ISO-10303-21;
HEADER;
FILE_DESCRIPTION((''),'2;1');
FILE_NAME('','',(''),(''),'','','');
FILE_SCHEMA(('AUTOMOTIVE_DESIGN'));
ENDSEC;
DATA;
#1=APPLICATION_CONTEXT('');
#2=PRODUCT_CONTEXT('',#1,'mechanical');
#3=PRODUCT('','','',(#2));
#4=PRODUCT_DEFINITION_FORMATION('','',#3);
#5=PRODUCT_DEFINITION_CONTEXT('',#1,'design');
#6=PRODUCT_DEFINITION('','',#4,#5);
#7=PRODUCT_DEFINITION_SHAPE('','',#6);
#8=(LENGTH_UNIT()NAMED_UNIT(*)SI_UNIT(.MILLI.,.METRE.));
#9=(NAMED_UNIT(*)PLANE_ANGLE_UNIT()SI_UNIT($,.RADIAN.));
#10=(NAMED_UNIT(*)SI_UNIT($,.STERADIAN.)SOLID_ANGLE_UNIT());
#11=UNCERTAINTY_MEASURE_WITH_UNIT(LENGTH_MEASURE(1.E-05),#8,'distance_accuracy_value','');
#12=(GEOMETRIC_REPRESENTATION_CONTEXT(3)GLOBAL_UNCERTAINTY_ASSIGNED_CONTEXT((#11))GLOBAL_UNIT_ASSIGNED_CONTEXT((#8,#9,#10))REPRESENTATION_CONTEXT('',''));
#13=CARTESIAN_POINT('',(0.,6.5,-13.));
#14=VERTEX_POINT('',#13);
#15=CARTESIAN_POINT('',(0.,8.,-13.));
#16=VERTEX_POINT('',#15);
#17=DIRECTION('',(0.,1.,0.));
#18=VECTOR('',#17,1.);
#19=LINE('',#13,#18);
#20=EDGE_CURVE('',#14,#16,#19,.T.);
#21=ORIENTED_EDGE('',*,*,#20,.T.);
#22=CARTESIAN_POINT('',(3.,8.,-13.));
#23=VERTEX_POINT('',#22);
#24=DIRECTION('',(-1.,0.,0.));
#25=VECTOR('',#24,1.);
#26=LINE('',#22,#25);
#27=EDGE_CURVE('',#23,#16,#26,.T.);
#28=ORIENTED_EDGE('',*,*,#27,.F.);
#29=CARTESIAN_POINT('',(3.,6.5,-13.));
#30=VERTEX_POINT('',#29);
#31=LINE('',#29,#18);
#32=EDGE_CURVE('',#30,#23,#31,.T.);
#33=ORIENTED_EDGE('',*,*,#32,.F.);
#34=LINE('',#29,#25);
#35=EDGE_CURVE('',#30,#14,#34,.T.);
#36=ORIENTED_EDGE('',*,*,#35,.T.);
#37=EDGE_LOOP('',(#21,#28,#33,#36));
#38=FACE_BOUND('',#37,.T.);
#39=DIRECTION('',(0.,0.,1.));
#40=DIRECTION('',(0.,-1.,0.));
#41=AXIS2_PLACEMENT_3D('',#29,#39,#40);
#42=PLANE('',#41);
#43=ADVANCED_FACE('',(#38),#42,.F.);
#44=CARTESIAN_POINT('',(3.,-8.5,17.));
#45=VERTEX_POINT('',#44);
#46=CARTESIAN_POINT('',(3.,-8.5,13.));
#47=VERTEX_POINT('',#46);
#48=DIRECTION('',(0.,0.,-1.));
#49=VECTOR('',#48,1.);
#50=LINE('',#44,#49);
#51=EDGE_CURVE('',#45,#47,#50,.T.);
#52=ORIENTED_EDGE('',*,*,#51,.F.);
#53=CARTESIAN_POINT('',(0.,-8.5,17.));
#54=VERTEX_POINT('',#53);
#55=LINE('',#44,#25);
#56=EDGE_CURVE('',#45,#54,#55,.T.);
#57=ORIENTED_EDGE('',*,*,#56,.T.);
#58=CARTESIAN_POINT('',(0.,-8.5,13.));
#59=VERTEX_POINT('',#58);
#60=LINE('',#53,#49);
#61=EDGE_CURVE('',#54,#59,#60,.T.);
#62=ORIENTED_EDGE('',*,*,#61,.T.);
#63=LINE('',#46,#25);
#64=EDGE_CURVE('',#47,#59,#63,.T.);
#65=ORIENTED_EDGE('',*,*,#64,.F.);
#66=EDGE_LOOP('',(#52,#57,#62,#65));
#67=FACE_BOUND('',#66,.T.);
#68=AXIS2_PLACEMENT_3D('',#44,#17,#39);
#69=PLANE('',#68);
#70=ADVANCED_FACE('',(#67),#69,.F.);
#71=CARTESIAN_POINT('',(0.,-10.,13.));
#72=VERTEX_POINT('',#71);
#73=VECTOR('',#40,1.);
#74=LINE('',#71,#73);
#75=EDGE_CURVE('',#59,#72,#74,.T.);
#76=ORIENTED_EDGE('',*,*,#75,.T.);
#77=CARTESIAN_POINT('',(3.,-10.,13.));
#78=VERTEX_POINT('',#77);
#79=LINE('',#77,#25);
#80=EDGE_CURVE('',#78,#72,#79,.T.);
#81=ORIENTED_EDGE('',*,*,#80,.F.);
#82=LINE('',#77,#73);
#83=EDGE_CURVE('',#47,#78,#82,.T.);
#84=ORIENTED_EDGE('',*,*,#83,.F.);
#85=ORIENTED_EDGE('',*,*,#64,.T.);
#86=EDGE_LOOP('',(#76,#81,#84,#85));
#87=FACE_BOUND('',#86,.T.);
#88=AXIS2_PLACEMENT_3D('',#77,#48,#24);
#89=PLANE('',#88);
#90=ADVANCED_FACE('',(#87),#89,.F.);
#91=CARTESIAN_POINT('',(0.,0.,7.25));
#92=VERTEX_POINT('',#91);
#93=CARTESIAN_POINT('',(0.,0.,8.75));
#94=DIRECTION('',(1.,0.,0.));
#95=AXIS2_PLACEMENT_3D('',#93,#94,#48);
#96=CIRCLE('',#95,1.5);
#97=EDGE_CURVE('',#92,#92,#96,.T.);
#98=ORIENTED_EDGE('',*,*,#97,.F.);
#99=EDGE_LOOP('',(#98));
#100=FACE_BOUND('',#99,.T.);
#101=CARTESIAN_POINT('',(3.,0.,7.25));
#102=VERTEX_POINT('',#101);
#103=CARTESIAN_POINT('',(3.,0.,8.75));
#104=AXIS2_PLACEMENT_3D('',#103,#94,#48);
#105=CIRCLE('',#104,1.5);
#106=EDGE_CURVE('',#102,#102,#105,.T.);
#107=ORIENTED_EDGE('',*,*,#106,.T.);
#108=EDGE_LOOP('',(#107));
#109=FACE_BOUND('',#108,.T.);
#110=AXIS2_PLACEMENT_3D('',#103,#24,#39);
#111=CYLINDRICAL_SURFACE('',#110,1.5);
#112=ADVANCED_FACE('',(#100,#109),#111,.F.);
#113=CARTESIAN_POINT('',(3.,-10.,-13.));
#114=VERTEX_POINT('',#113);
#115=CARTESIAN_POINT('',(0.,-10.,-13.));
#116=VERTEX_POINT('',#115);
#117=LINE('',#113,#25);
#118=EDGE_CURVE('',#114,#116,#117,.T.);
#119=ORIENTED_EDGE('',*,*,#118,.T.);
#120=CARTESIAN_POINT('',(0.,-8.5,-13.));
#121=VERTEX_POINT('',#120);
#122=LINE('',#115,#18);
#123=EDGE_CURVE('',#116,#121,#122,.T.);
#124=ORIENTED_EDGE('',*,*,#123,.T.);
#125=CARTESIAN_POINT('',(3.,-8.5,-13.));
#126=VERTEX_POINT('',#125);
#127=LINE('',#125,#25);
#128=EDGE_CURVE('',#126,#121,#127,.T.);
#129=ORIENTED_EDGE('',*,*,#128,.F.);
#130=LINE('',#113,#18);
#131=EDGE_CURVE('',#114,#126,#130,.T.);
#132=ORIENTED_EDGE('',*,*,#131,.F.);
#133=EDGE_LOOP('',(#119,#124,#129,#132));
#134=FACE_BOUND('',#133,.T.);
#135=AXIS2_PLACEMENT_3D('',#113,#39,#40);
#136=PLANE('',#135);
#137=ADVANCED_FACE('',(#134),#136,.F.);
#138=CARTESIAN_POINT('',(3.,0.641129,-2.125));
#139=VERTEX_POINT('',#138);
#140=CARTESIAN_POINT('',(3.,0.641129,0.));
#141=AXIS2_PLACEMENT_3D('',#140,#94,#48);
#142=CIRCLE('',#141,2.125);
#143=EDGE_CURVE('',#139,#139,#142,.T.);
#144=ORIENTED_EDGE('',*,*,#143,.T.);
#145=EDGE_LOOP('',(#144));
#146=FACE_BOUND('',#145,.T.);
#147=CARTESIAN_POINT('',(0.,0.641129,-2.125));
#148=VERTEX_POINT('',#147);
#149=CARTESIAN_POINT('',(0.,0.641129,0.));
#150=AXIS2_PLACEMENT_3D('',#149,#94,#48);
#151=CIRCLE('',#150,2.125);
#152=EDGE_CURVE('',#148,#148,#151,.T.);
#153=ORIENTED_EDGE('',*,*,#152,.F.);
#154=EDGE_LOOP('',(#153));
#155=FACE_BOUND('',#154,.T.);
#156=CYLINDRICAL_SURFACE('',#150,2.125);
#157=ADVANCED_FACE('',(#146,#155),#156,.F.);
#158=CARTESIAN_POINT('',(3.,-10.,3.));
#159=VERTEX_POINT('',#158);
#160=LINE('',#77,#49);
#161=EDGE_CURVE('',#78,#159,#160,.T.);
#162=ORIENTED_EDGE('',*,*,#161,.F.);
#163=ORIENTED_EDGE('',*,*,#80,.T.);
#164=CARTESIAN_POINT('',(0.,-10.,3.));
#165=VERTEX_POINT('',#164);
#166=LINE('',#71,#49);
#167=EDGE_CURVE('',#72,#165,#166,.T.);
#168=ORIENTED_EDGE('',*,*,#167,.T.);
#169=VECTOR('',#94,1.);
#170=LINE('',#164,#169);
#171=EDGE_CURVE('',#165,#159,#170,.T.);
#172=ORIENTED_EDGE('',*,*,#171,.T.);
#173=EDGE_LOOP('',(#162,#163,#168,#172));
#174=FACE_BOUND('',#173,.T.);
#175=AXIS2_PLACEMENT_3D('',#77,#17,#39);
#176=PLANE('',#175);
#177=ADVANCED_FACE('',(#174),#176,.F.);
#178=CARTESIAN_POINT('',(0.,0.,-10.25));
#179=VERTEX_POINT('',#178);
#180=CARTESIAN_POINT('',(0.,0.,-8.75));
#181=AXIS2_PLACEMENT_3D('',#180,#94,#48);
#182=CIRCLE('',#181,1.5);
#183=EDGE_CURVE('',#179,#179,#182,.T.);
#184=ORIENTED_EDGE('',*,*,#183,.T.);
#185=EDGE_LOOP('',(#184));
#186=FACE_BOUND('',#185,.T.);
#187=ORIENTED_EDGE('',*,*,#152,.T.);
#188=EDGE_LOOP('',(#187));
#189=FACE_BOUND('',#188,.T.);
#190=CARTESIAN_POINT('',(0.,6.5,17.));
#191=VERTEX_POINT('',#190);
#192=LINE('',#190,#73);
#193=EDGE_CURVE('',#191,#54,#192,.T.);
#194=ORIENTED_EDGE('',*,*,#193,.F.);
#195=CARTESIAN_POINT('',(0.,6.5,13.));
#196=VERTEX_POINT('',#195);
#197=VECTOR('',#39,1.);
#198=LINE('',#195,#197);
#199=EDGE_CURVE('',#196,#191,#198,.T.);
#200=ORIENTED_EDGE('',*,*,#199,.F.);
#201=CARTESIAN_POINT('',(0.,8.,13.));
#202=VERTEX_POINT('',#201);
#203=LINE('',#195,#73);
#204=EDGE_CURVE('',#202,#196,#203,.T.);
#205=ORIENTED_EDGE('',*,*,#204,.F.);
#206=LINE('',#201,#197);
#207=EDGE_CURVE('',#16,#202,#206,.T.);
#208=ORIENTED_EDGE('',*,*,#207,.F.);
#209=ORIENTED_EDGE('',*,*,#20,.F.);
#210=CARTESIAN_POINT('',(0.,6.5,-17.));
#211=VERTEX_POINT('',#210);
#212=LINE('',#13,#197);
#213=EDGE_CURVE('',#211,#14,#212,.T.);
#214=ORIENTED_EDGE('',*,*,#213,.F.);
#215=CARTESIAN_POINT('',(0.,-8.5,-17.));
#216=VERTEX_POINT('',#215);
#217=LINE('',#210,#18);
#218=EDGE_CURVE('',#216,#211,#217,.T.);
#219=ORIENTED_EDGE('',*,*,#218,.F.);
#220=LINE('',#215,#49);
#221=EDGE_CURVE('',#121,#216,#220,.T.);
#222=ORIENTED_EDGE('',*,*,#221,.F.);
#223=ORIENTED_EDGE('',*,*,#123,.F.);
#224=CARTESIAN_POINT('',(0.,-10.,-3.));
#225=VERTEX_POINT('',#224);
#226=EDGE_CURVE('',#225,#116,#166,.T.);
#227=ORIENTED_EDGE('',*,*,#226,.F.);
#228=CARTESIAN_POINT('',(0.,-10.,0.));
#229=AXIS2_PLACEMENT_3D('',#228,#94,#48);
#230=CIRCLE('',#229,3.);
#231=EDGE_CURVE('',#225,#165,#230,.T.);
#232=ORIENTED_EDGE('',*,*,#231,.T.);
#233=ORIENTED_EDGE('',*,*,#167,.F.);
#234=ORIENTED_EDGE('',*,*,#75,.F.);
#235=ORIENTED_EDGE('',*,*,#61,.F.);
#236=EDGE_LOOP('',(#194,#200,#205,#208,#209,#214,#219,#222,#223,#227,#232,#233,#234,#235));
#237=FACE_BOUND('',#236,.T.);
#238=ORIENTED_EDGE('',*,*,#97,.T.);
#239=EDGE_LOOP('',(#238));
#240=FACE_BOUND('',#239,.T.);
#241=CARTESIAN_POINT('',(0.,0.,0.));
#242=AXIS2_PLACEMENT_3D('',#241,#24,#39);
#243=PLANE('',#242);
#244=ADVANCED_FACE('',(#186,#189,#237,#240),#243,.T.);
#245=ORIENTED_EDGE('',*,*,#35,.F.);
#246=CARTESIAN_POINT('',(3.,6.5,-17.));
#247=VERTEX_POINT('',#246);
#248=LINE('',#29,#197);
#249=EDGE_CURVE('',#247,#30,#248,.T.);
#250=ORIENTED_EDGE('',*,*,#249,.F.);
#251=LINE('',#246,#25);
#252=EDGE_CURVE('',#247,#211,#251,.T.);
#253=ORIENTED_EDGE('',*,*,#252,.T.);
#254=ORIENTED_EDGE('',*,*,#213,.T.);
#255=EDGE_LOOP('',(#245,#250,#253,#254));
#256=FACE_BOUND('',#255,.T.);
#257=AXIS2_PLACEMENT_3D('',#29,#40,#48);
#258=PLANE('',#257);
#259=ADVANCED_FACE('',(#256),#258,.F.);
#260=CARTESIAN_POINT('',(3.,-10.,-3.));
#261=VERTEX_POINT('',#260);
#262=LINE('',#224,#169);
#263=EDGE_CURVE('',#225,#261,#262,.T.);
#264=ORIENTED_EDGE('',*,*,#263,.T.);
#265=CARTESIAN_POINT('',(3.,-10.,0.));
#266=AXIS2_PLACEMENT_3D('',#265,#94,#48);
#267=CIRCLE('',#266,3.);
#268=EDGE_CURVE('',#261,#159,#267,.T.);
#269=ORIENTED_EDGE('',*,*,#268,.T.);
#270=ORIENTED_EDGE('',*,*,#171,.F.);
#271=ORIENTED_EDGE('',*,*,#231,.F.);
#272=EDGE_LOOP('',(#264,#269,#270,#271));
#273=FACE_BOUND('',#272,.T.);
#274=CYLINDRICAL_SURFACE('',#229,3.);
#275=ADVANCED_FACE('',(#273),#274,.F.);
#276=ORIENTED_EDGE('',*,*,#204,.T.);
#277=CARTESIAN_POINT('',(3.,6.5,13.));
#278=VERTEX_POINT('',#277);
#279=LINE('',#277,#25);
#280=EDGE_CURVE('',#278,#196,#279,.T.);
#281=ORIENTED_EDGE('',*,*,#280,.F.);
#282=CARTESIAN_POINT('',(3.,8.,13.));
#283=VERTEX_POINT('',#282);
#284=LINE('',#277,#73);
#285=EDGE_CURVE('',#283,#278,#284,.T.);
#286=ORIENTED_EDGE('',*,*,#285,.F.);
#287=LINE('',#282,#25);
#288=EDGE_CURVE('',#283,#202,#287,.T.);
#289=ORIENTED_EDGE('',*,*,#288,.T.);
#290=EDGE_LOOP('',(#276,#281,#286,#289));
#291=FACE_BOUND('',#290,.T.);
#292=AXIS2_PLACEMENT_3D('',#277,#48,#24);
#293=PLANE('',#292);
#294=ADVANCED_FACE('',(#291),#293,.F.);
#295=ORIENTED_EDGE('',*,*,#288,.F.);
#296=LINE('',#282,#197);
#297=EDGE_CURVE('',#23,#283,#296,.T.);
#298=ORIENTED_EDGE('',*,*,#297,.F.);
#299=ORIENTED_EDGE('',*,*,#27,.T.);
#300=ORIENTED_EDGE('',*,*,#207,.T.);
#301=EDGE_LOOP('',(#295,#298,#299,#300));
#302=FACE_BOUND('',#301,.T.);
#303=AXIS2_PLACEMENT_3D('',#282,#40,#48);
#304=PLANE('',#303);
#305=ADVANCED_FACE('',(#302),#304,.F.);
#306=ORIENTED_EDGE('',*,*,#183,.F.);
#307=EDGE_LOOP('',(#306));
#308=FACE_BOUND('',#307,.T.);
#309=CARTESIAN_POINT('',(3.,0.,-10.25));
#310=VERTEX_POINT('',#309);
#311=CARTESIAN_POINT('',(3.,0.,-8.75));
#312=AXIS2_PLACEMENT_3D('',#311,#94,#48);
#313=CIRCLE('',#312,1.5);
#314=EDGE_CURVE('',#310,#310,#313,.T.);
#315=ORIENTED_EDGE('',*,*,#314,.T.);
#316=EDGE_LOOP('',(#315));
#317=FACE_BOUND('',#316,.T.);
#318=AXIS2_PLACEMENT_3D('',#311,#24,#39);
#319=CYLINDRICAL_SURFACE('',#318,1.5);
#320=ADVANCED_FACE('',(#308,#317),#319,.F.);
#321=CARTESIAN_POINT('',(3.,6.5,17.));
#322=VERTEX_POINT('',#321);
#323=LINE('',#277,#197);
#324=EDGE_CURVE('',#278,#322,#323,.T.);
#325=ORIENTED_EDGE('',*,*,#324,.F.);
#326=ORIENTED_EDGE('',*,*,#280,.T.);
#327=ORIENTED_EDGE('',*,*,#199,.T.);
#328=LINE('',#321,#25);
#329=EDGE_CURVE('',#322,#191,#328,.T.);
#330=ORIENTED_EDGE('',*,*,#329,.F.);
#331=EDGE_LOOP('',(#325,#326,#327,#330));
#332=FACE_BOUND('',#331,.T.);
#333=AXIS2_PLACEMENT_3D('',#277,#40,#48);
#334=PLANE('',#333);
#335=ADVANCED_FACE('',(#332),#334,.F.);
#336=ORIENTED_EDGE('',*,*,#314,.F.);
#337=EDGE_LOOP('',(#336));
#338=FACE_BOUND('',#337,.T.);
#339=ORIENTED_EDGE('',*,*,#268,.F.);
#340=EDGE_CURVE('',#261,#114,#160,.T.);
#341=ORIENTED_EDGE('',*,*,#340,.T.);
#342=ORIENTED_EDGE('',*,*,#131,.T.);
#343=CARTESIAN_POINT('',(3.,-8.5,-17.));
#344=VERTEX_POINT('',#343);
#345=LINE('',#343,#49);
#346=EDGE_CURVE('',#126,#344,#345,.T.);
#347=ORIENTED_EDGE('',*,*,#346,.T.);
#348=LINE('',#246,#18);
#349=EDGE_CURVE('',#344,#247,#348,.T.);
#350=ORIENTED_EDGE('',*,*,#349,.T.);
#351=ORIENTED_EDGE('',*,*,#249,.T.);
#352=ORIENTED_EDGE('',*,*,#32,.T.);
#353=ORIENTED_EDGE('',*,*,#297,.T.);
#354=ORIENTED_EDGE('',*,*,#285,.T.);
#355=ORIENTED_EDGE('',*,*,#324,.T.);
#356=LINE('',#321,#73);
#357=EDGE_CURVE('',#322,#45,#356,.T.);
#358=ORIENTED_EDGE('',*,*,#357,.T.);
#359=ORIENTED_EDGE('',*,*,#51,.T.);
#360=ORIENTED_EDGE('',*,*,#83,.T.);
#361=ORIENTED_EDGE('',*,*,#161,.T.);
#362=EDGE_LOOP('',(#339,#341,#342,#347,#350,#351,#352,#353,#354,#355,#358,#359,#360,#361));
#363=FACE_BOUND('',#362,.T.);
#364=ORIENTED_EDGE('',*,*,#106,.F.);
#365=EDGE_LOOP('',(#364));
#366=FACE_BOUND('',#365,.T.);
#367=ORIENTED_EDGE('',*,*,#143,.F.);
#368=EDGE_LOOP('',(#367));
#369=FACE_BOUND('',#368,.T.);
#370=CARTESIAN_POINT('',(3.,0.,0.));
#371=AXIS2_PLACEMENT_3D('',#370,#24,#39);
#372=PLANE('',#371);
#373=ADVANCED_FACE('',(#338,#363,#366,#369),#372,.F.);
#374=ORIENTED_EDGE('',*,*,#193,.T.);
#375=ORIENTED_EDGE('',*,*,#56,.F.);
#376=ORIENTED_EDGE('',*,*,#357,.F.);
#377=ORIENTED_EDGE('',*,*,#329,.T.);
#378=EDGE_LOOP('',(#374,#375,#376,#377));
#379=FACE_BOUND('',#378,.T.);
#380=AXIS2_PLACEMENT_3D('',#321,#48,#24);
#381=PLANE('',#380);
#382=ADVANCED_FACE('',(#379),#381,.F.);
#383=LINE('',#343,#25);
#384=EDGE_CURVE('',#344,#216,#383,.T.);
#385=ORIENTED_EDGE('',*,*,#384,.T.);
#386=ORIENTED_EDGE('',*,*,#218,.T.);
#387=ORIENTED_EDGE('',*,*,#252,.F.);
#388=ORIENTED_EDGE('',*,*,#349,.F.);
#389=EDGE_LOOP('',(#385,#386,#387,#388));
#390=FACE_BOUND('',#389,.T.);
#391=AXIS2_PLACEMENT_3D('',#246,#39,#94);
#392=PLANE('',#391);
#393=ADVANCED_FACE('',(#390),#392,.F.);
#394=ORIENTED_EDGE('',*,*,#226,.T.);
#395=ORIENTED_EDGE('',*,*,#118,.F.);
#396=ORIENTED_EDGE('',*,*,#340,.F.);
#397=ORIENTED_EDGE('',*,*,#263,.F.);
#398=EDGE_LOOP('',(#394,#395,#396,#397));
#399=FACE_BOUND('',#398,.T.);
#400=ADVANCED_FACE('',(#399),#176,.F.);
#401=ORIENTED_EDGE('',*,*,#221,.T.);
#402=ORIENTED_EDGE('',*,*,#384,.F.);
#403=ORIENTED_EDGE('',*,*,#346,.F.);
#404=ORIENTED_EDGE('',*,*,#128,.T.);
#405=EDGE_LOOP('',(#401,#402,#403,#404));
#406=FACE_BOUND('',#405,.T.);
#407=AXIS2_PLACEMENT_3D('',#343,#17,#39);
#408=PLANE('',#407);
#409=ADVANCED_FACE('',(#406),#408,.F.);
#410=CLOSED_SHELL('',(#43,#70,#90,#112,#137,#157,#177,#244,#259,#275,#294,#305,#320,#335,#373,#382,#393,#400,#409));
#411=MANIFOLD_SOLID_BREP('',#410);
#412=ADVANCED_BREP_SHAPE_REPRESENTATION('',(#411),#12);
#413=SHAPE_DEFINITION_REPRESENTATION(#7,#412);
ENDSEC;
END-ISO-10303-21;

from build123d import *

# Parameters (mm, degrees)
SKETCH1_R           = 1.5
BOSS_EXTRUDE1_DEPTH = 3
CUT_EXTRUDE1_DEPTH  = 3
SKETCH3_R           = 2.125
CUT_EXTRUDE3_DEPTH  = 4


with BuildPart() as part:
    # Sketch1 → Boss-Extrude1 (new body)
    with BuildSketch(Plane(origin=(0, 0, 0), x_dir=(0, 0, -1), z_dir=(1, 0, 0))):
        Polygon((13, 6.5), (17, 6.5), (17, -8.5), (13, -8.5), (13, -10), (-13, -10), (-13, -8.5), (-17, -8.5), (-17, 6.5), (-13, 6.5), (-13, 8), (13, 8), align=None)
        with Locations((-8.75, 0)):
            Circle(SKETCH1_R, mode=Mode.SUBTRACT)
        with Locations((8.75, 0)):
            Circle(SKETCH1_R, mode=Mode.SUBTRACT)
    extrude(amount=BOSS_EXTRUDE1_DEPTH)

    # Sketch2 → Cut-Extrude1 (cut)
    with BuildSketch(Plane(origin=(3, 0, 0), x_dir=(0, 0, -1), z_dir=(1, 0, 0))):
        with BuildLine():
            Line((-3, -10), (3, -10))
            ThreePointArc((3, -10), (0, -7), (-3, -10))
        make_face()
    extrude(amount=-CUT_EXTRUDE1_DEPTH, mode=Mode.SUBTRACT)

    # Sketch3 → Cut-Extrude3 (cut, through all)
    with BuildSketch(Plane(origin=(3, 0, 0), x_dir=(0, 0, -1), z_dir=(1, 0, 0))):
        with Locations((0, 0.641129032)):
            Circle(SKETCH3_R)
    extrude(amount=-CUT_EXTRUDE3_DEPTH, mode=Mode.SUBTRACT)


solid = part.part
